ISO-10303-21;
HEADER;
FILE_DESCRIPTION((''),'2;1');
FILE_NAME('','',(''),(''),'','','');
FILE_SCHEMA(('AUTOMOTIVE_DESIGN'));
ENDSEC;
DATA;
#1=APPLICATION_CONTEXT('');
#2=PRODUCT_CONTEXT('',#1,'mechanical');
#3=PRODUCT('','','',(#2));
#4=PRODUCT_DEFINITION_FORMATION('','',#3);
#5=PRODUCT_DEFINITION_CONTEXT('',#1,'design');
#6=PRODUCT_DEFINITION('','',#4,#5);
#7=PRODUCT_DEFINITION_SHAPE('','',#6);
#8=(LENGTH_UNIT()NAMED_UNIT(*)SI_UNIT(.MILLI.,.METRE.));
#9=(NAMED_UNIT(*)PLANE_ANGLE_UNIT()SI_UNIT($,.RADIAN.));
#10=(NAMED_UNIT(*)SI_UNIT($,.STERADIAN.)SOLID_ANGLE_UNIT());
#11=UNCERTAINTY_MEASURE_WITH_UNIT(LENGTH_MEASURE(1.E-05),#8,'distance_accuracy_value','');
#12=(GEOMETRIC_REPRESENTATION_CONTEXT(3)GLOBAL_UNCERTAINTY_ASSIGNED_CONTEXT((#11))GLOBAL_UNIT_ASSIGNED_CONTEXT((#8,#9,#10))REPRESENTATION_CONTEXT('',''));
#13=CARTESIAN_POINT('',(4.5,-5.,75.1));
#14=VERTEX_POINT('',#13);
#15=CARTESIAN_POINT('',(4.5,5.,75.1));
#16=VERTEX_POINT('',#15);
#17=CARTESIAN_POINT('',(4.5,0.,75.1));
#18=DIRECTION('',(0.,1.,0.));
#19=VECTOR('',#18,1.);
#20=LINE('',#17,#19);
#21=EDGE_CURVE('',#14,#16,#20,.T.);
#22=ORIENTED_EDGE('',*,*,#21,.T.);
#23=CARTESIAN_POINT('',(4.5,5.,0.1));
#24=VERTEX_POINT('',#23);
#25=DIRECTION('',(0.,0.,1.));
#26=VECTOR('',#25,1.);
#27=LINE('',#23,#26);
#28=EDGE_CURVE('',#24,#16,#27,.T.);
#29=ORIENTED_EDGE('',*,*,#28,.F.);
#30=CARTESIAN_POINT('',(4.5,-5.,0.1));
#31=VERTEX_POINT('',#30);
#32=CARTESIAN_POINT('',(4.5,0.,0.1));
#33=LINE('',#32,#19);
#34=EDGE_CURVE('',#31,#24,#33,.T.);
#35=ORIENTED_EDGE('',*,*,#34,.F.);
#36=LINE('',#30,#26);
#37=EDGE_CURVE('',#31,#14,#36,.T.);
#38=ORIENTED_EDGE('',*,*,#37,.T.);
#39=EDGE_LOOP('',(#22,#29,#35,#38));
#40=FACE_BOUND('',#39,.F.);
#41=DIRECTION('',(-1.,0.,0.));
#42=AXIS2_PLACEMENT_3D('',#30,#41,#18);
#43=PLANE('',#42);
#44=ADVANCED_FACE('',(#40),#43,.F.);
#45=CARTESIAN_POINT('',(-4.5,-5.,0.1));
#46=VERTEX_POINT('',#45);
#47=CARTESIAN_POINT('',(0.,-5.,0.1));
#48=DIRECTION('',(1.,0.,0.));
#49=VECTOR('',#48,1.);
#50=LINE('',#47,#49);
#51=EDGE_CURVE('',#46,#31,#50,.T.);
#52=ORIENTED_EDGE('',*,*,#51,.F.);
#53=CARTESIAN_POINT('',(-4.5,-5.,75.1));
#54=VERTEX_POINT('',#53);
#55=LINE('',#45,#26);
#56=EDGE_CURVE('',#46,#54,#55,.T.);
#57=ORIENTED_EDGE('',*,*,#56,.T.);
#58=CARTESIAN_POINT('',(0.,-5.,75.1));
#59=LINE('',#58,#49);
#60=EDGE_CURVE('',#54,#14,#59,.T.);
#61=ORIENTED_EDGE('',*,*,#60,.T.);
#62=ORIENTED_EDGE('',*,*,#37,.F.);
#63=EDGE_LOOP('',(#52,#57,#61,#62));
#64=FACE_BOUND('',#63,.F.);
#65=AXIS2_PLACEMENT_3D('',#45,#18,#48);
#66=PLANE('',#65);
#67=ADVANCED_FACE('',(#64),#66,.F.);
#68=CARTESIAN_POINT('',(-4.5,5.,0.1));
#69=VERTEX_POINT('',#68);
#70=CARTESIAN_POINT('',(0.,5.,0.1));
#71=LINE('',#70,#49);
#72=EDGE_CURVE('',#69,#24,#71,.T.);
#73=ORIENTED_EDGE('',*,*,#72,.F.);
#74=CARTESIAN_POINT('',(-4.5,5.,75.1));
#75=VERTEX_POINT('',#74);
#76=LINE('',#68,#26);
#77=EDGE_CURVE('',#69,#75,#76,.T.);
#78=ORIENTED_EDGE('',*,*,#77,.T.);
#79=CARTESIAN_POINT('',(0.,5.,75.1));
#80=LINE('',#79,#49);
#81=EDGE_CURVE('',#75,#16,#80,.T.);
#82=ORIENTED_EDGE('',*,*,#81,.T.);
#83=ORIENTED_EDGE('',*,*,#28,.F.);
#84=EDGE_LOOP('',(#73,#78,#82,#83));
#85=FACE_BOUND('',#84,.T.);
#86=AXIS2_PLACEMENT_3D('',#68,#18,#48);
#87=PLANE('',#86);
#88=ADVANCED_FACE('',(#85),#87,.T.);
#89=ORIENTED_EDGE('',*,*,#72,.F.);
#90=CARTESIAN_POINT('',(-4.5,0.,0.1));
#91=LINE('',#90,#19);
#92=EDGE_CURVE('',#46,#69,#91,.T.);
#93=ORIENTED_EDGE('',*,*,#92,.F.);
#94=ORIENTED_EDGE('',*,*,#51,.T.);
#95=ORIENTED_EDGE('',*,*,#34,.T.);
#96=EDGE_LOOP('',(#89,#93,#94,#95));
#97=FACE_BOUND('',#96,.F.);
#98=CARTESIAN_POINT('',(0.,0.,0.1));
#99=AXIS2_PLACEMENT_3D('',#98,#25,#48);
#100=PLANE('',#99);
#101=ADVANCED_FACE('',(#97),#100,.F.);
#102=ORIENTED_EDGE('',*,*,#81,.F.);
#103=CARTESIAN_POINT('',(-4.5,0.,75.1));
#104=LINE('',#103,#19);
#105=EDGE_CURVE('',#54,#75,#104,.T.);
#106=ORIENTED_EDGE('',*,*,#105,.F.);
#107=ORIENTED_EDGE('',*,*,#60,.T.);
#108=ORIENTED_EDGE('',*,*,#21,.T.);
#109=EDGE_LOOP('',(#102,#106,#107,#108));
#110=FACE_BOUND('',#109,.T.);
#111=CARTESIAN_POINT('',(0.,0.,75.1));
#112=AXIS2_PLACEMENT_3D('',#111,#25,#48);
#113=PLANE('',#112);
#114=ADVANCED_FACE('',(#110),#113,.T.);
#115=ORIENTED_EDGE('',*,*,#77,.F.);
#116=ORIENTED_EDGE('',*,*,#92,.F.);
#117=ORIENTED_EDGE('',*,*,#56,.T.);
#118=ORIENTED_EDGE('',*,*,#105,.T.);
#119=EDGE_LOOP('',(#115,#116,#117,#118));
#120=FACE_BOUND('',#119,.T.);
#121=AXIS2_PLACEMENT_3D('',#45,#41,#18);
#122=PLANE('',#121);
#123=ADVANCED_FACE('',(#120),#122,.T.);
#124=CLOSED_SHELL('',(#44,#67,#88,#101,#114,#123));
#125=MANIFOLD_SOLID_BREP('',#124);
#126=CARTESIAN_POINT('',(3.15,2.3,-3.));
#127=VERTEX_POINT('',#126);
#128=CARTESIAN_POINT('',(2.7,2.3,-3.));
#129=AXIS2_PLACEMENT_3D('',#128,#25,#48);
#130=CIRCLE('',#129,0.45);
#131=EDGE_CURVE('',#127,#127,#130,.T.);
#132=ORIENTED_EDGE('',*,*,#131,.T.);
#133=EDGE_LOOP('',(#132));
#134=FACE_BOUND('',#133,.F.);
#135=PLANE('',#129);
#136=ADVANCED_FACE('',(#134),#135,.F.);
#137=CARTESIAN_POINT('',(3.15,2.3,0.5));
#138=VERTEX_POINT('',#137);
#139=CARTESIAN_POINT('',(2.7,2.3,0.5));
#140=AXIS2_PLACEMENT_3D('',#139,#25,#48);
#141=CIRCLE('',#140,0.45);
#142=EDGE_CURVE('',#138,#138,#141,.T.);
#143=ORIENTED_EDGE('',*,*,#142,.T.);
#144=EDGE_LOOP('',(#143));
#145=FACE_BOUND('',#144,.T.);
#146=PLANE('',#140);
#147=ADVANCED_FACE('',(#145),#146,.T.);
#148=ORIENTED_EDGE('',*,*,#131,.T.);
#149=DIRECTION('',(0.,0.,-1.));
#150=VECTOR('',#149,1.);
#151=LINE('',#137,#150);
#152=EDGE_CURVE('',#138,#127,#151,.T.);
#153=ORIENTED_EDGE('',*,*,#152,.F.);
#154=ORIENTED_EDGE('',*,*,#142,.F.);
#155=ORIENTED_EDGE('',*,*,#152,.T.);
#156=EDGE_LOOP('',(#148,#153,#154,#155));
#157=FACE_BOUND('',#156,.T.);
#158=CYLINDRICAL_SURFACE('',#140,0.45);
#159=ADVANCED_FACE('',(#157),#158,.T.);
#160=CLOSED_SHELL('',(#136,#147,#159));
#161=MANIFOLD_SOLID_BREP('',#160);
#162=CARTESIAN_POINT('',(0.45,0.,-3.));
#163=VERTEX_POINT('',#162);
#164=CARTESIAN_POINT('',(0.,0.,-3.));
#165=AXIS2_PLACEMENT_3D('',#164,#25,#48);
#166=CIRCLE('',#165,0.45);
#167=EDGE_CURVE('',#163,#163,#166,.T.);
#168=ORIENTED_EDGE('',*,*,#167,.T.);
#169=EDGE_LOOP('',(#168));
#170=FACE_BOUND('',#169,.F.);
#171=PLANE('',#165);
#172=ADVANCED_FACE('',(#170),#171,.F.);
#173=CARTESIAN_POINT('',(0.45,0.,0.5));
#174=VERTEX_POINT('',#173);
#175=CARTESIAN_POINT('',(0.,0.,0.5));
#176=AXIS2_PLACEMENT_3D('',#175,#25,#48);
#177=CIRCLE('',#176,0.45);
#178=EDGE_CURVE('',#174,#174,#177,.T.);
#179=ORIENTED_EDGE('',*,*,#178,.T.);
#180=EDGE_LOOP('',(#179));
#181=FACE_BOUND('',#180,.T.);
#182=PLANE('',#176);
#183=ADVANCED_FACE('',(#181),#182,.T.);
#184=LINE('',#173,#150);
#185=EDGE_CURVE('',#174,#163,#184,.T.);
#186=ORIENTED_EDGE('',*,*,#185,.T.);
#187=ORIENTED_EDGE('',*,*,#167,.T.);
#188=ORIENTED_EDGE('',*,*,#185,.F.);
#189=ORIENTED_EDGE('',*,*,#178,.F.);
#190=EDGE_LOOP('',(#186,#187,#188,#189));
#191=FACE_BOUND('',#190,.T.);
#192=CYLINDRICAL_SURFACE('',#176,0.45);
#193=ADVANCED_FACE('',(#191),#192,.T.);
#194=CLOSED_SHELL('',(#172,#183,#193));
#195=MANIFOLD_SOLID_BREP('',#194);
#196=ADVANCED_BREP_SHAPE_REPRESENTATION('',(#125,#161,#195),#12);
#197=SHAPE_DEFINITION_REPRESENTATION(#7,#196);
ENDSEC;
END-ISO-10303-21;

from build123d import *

# Parameters (mm, degrees)
SKETCH_W     = 9
SKETCH_H     = 10
PAD_DEPTH    = 75
SKETCH001_R  = 0.45
PAD001_DEPTH = 3.5


with BuildPart() as pad:
    # Sketch → Pad (new body)
    with BuildSketch(Plane.XY.offset(0.1)):
        Rectangle(SKETCH_W, SKETCH_H)
    extrude(amount=PAD_DEPTH)


with BuildPart() as pad001:
    # Sketch001 → Pad001 (new body)
    with BuildSketch(Plane.XY.offset(0.5)):
        Circle(SKETCH001_R)
        with Locations((2.7, 2.3)):
            Circle(SKETCH001_R)
    extrude(amount=-PAD001_DEPTH)


solid = Compound([pad.part, pad001.part])
